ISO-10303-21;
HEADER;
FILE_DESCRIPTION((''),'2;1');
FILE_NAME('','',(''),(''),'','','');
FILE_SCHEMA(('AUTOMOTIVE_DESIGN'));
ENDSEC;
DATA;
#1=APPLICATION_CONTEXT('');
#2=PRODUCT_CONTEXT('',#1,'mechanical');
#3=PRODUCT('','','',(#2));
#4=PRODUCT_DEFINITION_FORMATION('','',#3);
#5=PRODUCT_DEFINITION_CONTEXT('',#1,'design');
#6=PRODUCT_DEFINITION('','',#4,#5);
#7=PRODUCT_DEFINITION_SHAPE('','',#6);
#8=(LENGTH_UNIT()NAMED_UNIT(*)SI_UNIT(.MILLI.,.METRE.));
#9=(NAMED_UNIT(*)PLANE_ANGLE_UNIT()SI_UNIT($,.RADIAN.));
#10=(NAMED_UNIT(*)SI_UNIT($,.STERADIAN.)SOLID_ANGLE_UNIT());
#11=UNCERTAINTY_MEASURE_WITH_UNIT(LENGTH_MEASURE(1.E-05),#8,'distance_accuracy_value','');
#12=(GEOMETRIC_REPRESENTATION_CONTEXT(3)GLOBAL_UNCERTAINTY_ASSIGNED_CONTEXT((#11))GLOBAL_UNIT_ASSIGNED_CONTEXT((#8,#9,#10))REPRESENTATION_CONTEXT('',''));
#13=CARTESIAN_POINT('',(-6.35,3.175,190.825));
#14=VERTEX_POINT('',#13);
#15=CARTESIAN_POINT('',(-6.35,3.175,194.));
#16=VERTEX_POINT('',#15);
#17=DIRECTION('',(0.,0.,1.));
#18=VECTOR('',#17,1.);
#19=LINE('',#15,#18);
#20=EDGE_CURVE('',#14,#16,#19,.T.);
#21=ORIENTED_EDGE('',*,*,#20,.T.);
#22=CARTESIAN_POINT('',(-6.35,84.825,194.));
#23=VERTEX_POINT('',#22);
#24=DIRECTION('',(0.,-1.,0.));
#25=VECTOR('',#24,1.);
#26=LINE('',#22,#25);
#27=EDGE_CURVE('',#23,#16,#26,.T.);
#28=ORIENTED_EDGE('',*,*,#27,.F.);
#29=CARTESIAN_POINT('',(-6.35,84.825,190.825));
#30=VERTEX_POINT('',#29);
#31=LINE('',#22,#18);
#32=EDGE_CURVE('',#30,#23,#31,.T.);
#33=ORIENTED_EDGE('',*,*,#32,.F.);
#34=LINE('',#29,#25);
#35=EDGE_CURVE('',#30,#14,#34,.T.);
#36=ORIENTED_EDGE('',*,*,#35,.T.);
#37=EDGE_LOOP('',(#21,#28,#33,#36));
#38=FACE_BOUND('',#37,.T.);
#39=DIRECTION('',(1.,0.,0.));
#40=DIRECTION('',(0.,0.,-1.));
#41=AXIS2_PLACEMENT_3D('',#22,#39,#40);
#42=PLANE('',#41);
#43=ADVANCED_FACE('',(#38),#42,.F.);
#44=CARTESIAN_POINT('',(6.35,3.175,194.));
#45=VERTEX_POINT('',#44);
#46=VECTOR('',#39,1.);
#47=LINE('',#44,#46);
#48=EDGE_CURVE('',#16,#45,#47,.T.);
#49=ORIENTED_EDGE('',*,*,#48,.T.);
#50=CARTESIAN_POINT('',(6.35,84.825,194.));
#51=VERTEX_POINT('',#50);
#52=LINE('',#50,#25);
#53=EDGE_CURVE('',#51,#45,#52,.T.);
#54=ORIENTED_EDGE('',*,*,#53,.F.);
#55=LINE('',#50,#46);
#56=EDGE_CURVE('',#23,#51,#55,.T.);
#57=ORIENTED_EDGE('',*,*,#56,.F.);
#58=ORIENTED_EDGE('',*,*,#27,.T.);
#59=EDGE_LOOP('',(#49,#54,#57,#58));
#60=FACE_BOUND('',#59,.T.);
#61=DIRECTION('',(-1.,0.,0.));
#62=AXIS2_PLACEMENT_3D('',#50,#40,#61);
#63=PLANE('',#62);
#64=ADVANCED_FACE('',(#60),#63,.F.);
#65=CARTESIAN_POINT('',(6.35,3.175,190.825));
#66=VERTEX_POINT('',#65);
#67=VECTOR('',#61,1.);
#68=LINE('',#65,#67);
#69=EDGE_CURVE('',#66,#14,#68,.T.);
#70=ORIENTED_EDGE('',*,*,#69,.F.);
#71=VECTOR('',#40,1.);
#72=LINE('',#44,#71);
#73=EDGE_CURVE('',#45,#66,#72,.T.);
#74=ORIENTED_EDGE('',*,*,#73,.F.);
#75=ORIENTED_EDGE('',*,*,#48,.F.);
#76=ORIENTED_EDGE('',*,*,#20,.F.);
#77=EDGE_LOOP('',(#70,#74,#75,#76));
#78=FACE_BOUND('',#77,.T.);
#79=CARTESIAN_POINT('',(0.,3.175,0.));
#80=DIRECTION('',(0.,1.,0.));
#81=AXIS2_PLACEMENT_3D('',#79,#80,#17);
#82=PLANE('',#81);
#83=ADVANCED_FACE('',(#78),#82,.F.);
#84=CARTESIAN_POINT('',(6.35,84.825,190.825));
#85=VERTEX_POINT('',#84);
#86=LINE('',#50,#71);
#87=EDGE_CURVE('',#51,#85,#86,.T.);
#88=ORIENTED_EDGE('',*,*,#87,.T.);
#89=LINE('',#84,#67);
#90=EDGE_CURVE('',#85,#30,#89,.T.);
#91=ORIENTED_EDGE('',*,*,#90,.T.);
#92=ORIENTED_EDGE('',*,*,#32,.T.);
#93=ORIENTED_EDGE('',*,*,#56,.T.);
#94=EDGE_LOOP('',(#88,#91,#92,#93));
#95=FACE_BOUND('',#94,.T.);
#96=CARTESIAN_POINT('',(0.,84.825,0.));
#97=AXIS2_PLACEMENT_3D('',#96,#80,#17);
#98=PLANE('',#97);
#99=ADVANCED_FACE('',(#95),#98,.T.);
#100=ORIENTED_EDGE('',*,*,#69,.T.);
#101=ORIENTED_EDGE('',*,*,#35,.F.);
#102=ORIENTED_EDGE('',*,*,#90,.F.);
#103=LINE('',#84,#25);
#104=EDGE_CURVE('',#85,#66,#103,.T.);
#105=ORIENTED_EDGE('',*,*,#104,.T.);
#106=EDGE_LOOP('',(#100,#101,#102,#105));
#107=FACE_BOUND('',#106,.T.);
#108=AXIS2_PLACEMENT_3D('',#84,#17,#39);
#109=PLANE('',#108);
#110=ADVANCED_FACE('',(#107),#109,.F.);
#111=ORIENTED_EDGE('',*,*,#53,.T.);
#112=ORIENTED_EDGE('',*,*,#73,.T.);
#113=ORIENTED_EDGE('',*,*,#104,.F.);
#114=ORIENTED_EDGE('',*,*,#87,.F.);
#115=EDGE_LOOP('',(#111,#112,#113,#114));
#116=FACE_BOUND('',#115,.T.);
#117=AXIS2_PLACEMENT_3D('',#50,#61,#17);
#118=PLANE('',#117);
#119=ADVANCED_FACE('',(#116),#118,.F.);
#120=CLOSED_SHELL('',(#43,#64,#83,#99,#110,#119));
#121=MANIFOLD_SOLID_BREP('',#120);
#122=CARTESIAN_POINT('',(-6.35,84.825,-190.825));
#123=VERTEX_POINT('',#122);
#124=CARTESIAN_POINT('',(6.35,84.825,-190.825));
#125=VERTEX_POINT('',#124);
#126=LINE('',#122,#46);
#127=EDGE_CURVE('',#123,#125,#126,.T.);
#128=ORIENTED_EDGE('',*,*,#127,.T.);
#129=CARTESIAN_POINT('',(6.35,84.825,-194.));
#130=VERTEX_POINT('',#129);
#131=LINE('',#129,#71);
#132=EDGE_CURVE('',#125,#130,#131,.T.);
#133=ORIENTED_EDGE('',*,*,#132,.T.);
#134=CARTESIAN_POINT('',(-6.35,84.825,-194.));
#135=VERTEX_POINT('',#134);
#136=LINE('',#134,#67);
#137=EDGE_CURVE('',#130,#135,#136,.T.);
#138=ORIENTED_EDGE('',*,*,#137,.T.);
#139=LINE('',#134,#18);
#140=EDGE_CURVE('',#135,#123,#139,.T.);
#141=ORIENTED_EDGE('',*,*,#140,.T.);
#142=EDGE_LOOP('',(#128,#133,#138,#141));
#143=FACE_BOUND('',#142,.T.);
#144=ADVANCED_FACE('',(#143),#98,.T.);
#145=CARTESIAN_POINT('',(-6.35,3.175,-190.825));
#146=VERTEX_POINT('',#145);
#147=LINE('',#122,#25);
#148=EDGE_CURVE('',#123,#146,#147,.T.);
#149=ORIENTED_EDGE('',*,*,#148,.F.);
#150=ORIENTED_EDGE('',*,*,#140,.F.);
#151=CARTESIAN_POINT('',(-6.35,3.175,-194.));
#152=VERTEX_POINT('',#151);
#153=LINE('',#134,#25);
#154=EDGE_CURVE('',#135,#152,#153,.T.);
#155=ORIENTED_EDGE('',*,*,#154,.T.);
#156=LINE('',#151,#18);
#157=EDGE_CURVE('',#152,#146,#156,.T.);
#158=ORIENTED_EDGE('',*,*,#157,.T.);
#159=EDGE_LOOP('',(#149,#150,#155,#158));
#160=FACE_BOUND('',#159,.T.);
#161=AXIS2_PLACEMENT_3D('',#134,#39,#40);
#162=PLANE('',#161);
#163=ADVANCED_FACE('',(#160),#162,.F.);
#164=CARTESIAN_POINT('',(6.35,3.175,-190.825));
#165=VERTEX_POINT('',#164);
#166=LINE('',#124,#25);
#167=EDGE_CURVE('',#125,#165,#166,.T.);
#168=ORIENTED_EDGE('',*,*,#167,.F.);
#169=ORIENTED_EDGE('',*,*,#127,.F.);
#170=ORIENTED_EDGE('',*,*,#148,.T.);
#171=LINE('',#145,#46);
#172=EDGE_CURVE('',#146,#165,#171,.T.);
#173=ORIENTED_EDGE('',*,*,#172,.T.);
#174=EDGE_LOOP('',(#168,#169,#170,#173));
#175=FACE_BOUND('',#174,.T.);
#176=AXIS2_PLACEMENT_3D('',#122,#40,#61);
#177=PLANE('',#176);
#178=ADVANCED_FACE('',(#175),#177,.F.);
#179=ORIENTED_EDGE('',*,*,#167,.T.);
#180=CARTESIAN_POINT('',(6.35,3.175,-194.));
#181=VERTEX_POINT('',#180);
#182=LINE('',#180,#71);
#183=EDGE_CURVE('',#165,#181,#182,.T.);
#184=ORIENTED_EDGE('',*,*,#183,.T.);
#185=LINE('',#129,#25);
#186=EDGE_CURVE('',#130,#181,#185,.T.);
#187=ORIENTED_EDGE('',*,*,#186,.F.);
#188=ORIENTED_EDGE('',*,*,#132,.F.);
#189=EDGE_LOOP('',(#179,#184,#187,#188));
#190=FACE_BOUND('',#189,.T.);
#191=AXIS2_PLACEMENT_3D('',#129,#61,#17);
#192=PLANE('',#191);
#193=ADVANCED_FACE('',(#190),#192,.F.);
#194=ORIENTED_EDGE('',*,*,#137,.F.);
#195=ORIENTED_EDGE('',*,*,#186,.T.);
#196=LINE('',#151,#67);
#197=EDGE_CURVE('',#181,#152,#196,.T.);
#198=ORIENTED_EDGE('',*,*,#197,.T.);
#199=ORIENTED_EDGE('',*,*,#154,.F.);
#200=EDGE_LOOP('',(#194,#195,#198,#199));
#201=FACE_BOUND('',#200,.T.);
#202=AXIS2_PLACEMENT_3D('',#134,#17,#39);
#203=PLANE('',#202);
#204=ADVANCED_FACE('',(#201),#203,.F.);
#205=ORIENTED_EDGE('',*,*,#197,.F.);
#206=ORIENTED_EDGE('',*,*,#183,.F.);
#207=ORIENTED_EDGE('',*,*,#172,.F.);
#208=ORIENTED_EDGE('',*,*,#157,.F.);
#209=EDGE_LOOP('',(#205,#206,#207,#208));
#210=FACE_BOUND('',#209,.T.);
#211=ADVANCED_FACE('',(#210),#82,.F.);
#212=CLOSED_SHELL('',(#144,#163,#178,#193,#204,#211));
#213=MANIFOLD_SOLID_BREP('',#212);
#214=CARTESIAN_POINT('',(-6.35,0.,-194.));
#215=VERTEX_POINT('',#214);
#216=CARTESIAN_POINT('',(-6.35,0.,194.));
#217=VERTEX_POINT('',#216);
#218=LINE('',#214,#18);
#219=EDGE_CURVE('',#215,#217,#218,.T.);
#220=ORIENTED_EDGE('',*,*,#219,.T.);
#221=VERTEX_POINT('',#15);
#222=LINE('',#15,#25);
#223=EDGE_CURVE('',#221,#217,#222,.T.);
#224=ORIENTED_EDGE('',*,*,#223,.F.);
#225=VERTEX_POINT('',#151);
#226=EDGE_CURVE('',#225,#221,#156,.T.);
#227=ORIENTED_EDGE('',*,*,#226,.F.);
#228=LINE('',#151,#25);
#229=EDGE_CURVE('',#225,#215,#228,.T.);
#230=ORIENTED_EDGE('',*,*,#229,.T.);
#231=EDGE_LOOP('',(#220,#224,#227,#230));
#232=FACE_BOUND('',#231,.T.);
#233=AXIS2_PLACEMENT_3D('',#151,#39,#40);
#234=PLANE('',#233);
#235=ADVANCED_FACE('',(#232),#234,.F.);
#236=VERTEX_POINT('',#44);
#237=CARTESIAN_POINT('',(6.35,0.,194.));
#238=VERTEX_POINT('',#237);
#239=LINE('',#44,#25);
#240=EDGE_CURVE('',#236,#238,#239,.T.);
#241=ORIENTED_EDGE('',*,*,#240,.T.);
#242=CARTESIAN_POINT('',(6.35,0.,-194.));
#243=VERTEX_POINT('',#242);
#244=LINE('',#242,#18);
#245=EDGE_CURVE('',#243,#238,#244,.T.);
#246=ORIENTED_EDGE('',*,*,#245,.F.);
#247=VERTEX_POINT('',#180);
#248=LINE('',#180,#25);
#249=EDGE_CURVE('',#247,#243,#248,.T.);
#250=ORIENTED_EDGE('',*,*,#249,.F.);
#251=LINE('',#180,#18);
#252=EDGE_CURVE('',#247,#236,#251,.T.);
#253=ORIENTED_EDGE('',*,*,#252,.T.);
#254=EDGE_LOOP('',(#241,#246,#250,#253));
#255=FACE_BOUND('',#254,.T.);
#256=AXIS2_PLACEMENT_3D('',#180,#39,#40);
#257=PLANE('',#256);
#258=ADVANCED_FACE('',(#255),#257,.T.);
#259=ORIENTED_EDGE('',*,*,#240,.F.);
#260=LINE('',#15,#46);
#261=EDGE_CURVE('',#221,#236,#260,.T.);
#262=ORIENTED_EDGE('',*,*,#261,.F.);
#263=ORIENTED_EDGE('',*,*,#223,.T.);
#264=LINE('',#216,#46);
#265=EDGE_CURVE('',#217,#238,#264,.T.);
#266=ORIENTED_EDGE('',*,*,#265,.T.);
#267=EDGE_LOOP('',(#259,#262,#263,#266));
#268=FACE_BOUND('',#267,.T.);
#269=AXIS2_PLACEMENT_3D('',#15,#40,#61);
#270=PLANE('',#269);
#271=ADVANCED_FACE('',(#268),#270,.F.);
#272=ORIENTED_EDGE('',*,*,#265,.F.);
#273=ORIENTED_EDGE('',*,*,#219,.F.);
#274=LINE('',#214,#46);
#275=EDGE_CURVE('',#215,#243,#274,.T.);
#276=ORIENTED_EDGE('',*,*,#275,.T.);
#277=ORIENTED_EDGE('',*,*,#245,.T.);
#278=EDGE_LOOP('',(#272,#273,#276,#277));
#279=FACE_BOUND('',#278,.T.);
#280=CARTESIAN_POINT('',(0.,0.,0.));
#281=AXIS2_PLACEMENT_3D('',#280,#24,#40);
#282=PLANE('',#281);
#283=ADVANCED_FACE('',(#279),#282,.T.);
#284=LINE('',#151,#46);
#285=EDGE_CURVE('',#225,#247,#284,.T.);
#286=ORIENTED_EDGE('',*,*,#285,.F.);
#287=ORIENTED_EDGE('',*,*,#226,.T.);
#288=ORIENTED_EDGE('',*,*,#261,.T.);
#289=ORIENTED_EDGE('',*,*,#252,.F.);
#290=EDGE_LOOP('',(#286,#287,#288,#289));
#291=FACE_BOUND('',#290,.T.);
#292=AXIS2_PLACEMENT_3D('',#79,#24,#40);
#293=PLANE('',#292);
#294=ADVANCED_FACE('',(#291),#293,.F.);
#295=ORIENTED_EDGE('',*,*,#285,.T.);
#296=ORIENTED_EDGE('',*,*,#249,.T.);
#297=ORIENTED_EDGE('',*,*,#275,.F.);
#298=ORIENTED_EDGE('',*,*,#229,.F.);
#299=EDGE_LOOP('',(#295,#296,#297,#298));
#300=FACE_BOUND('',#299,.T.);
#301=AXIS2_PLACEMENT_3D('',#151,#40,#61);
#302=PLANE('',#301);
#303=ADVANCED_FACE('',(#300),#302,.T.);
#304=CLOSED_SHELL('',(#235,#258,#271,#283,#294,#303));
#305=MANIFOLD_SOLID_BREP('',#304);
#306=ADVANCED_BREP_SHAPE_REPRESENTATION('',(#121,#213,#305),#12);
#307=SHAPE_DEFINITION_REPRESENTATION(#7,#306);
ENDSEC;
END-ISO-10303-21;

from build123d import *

# Parameters (mm, degrees)
SKETCH1_W             = 12.7
SKETCH1_H             = 388
BOSS_EXTRUDE1_DEPTH   = 3.175
SKETCH2_W             = 12.7
SKETCH2_H             = 3.175
BOSS_EXTRUDE2_DEPTH   = 81.65
BOSS_EXTRUDE2_2_DEPTH = 81.65


with BuildPart() as part:
    # Sketch1 → Boss-Extrude1 (new body)
    with BuildSketch(Plane(origin=(0, 0, 0), x_dir=(1, 0, 0), z_dir=(0, 1, 0))):
        Rectangle(SKETCH1_W, SKETCH1_H)
    extrude(amount=BOSS_EXTRUDE1_DEPTH)


with BuildPart() as body_2:
    # Sketch2 → Boss-Extrude2 (new body)
    with BuildSketch(Plane(origin=(0, 3.175, 0), x_dir=(1, 0, 0), z_dir=(0, 1, 0))):
        with Locations((0, -192.4125)):
            Rectangle(SKETCH2_W, SKETCH2_H)
    extrude(amount=BOSS_EXTRUDE2_DEPTH)


with BuildPart() as body_3:
    # Sketch2 → Boss-Extrude2 2 (new body)
    with BuildSketch(Plane(origin=(0, 3.175, 0), x_dir=(1, 0, 0), z_dir=(0, 1, 0))):
        with Locations((0, 192.4125)):
            Rectangle(SKETCH2_W, SKETCH2_H)
    extrude(amount=BOSS_EXTRUDE2_2_DEPTH)


solid = Compound([part.part, body_2.part, body_3.part])
